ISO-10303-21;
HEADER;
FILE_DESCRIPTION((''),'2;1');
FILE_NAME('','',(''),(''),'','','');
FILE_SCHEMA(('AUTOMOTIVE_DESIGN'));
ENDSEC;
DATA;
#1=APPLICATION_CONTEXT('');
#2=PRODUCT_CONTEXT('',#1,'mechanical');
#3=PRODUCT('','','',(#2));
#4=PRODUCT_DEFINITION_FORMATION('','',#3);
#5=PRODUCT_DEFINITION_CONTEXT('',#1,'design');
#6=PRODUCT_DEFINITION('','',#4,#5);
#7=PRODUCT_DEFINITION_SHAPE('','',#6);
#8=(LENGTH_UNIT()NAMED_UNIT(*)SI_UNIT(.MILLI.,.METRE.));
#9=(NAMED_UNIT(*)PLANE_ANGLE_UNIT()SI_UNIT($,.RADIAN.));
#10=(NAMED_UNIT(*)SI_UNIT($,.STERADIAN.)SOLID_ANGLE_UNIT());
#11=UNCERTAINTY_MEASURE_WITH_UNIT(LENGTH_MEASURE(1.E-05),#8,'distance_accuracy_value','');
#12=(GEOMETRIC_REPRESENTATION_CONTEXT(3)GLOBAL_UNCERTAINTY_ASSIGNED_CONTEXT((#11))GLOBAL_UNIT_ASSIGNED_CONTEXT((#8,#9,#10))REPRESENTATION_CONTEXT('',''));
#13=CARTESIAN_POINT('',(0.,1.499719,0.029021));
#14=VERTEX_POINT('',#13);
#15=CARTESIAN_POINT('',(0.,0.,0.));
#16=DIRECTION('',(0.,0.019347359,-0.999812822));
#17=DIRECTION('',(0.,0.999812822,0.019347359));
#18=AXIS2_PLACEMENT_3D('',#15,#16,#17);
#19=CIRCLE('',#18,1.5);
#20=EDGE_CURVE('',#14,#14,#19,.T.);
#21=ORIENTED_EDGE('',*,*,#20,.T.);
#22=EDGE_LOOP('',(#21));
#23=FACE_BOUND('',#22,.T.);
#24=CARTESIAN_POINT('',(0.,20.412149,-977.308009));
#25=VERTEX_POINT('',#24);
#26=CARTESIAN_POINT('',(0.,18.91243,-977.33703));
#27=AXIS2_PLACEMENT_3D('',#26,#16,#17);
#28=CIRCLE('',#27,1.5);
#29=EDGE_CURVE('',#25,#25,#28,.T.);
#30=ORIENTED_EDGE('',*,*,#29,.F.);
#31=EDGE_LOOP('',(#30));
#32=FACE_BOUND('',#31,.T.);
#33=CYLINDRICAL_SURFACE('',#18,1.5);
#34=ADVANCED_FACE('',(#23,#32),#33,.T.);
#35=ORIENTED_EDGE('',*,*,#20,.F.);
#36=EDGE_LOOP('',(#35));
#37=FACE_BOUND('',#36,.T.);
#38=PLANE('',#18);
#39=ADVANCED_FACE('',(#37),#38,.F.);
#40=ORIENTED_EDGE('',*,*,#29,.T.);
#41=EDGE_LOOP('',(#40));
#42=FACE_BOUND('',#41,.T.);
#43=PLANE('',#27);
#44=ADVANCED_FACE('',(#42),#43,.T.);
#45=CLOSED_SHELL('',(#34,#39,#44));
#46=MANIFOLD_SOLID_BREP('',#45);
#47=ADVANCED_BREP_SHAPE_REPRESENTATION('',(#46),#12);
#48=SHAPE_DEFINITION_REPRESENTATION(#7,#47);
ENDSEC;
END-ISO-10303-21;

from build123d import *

# Parameters (mm, degrees)
BARRER1_PROFILE_R = 1.5


with BuildPart() as part:
    # Barrer1: sweep along a path in Croquis3
    with BuildLine(Plane(origin=(0, 0, 0), x_dir=(0, 0, -1), z_dir=(1, 0, 0))) as barrer1_path:
        Line((0, 0), (977.337030094, 18.912429944))
    # Barrer1 profile (on start of the path) → Barrer1 (sweep)
    with BuildSketch(Plane(origin=(0, 0, 0), x_dir=(0, -0.9998128223405419, -0.01934735856493379), z_dir=(0, 0.01934735856493379, -0.9998128223405419))):
        Circle(BARRER1_PROFILE_R)
    sweep(path=barrer1_path.line)


solid = part.part
